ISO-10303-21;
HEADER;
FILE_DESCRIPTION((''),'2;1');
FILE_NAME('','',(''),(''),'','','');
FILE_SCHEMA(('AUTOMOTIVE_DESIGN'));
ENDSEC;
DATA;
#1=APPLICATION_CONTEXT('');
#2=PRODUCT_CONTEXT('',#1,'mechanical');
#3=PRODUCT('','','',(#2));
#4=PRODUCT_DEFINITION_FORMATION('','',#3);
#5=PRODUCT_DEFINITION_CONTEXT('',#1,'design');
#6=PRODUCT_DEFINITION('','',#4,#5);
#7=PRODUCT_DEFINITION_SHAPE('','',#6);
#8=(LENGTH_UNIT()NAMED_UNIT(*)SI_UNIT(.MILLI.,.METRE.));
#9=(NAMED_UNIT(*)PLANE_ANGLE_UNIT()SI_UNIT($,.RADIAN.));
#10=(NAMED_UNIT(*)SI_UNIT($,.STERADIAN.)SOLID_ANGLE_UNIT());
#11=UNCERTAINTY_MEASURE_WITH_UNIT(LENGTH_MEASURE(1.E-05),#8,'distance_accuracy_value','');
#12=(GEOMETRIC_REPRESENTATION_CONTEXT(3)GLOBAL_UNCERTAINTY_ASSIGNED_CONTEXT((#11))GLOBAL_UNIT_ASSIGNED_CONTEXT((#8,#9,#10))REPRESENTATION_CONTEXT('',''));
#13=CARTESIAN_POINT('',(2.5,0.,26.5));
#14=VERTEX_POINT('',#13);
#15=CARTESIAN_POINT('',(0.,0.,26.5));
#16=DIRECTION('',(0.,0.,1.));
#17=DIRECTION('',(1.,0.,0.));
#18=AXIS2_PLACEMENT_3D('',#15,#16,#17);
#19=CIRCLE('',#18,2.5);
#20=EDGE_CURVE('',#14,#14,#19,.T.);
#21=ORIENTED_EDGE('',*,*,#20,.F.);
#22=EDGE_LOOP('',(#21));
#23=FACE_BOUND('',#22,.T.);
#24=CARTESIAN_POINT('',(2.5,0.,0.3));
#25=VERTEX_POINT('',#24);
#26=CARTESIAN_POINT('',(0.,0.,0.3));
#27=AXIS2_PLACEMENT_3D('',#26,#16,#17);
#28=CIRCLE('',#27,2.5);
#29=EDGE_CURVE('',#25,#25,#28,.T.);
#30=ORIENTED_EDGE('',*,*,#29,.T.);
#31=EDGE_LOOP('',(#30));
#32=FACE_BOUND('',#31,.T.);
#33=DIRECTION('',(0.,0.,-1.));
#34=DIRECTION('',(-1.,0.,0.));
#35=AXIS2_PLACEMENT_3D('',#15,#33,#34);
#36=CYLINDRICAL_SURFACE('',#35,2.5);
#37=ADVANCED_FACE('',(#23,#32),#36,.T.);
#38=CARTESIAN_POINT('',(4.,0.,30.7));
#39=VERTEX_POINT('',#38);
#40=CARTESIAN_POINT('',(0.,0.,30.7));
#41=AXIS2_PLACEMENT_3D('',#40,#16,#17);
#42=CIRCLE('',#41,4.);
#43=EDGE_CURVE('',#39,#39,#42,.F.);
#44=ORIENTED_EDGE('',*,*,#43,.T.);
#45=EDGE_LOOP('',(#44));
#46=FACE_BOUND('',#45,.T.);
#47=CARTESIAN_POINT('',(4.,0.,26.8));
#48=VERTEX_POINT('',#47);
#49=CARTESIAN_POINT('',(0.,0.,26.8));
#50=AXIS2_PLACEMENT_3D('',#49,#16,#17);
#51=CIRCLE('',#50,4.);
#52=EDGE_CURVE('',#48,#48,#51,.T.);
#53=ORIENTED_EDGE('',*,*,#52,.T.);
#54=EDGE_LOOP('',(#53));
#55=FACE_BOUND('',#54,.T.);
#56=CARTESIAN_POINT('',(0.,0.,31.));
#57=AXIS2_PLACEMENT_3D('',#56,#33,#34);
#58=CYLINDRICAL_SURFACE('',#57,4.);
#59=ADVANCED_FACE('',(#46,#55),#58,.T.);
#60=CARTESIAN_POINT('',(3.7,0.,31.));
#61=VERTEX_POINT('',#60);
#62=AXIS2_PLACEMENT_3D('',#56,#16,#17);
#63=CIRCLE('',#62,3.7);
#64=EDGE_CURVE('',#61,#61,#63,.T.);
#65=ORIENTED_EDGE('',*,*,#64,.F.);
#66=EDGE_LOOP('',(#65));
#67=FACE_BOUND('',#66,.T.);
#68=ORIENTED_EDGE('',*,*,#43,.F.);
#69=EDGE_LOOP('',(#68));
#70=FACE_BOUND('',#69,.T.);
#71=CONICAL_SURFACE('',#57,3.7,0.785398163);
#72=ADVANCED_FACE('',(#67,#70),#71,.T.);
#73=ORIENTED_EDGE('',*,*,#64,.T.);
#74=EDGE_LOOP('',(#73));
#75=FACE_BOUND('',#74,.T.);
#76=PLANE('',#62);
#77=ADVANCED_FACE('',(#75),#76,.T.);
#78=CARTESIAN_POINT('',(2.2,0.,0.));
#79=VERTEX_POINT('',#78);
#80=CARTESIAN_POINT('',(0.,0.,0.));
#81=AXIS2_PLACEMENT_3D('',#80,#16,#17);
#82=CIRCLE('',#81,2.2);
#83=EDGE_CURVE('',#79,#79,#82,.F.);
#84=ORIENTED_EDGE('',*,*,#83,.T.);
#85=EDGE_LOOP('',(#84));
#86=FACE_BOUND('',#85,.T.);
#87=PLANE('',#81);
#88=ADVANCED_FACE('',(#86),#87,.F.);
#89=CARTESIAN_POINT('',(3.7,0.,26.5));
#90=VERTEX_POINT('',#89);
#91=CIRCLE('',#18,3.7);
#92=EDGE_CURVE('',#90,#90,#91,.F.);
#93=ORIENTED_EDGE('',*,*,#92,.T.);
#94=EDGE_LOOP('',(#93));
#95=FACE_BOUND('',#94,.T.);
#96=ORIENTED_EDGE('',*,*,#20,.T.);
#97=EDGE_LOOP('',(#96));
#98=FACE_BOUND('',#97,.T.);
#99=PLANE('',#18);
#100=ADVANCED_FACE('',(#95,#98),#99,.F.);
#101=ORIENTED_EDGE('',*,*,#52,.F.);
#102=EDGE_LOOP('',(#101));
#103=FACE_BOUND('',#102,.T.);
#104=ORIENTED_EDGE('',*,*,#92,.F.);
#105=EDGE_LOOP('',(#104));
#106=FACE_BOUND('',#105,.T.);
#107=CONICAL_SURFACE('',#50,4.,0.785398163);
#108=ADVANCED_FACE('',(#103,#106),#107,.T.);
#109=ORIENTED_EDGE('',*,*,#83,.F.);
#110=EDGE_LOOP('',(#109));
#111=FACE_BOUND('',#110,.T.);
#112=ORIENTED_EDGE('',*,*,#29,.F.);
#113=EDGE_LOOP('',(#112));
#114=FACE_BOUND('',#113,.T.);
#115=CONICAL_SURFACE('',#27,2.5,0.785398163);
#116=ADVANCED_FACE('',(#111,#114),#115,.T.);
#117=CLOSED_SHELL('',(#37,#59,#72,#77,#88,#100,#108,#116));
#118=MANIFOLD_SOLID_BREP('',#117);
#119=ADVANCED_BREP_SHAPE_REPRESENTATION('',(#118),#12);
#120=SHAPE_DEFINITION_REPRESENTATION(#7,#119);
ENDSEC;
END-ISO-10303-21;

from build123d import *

# Parameters (mm, degrees)
SKETCH1_R           = 2.5
BOSS_EXTRUDE1_DEPTH = 26.5
SKETCH2_R           = 4
BOSS_EXTRUDE2_DEPTH = 4.5
CHAMFER1_SIZE       = 0.3


with BuildPart() as part:
    # Sketch1 → Boss-Extrude1 (new body)
    with BuildSketch(Plane.XY):
        Circle(SKETCH1_R)
    extrude(amount=BOSS_EXTRUDE1_DEPTH)

    # Sketch2 → Boss-Extrude2 (add)
    with BuildSketch(Plane.XY.offset(26.5)):
        Circle(SKETCH2_R)
    extrude(amount=BOSS_EXTRUDE2_DEPTH)

    # Chamfer1
    chamfer1_edges = [part.edges().sort_by_distance(p)[0] for p in [
        (-2.5, 0, 0),
        (-4, 0, 26.5),
        (-4, 0, 31),
    ]]
    chamfer(chamfer1_edges, length=CHAMFER1_SIZE)


solid = part.part
